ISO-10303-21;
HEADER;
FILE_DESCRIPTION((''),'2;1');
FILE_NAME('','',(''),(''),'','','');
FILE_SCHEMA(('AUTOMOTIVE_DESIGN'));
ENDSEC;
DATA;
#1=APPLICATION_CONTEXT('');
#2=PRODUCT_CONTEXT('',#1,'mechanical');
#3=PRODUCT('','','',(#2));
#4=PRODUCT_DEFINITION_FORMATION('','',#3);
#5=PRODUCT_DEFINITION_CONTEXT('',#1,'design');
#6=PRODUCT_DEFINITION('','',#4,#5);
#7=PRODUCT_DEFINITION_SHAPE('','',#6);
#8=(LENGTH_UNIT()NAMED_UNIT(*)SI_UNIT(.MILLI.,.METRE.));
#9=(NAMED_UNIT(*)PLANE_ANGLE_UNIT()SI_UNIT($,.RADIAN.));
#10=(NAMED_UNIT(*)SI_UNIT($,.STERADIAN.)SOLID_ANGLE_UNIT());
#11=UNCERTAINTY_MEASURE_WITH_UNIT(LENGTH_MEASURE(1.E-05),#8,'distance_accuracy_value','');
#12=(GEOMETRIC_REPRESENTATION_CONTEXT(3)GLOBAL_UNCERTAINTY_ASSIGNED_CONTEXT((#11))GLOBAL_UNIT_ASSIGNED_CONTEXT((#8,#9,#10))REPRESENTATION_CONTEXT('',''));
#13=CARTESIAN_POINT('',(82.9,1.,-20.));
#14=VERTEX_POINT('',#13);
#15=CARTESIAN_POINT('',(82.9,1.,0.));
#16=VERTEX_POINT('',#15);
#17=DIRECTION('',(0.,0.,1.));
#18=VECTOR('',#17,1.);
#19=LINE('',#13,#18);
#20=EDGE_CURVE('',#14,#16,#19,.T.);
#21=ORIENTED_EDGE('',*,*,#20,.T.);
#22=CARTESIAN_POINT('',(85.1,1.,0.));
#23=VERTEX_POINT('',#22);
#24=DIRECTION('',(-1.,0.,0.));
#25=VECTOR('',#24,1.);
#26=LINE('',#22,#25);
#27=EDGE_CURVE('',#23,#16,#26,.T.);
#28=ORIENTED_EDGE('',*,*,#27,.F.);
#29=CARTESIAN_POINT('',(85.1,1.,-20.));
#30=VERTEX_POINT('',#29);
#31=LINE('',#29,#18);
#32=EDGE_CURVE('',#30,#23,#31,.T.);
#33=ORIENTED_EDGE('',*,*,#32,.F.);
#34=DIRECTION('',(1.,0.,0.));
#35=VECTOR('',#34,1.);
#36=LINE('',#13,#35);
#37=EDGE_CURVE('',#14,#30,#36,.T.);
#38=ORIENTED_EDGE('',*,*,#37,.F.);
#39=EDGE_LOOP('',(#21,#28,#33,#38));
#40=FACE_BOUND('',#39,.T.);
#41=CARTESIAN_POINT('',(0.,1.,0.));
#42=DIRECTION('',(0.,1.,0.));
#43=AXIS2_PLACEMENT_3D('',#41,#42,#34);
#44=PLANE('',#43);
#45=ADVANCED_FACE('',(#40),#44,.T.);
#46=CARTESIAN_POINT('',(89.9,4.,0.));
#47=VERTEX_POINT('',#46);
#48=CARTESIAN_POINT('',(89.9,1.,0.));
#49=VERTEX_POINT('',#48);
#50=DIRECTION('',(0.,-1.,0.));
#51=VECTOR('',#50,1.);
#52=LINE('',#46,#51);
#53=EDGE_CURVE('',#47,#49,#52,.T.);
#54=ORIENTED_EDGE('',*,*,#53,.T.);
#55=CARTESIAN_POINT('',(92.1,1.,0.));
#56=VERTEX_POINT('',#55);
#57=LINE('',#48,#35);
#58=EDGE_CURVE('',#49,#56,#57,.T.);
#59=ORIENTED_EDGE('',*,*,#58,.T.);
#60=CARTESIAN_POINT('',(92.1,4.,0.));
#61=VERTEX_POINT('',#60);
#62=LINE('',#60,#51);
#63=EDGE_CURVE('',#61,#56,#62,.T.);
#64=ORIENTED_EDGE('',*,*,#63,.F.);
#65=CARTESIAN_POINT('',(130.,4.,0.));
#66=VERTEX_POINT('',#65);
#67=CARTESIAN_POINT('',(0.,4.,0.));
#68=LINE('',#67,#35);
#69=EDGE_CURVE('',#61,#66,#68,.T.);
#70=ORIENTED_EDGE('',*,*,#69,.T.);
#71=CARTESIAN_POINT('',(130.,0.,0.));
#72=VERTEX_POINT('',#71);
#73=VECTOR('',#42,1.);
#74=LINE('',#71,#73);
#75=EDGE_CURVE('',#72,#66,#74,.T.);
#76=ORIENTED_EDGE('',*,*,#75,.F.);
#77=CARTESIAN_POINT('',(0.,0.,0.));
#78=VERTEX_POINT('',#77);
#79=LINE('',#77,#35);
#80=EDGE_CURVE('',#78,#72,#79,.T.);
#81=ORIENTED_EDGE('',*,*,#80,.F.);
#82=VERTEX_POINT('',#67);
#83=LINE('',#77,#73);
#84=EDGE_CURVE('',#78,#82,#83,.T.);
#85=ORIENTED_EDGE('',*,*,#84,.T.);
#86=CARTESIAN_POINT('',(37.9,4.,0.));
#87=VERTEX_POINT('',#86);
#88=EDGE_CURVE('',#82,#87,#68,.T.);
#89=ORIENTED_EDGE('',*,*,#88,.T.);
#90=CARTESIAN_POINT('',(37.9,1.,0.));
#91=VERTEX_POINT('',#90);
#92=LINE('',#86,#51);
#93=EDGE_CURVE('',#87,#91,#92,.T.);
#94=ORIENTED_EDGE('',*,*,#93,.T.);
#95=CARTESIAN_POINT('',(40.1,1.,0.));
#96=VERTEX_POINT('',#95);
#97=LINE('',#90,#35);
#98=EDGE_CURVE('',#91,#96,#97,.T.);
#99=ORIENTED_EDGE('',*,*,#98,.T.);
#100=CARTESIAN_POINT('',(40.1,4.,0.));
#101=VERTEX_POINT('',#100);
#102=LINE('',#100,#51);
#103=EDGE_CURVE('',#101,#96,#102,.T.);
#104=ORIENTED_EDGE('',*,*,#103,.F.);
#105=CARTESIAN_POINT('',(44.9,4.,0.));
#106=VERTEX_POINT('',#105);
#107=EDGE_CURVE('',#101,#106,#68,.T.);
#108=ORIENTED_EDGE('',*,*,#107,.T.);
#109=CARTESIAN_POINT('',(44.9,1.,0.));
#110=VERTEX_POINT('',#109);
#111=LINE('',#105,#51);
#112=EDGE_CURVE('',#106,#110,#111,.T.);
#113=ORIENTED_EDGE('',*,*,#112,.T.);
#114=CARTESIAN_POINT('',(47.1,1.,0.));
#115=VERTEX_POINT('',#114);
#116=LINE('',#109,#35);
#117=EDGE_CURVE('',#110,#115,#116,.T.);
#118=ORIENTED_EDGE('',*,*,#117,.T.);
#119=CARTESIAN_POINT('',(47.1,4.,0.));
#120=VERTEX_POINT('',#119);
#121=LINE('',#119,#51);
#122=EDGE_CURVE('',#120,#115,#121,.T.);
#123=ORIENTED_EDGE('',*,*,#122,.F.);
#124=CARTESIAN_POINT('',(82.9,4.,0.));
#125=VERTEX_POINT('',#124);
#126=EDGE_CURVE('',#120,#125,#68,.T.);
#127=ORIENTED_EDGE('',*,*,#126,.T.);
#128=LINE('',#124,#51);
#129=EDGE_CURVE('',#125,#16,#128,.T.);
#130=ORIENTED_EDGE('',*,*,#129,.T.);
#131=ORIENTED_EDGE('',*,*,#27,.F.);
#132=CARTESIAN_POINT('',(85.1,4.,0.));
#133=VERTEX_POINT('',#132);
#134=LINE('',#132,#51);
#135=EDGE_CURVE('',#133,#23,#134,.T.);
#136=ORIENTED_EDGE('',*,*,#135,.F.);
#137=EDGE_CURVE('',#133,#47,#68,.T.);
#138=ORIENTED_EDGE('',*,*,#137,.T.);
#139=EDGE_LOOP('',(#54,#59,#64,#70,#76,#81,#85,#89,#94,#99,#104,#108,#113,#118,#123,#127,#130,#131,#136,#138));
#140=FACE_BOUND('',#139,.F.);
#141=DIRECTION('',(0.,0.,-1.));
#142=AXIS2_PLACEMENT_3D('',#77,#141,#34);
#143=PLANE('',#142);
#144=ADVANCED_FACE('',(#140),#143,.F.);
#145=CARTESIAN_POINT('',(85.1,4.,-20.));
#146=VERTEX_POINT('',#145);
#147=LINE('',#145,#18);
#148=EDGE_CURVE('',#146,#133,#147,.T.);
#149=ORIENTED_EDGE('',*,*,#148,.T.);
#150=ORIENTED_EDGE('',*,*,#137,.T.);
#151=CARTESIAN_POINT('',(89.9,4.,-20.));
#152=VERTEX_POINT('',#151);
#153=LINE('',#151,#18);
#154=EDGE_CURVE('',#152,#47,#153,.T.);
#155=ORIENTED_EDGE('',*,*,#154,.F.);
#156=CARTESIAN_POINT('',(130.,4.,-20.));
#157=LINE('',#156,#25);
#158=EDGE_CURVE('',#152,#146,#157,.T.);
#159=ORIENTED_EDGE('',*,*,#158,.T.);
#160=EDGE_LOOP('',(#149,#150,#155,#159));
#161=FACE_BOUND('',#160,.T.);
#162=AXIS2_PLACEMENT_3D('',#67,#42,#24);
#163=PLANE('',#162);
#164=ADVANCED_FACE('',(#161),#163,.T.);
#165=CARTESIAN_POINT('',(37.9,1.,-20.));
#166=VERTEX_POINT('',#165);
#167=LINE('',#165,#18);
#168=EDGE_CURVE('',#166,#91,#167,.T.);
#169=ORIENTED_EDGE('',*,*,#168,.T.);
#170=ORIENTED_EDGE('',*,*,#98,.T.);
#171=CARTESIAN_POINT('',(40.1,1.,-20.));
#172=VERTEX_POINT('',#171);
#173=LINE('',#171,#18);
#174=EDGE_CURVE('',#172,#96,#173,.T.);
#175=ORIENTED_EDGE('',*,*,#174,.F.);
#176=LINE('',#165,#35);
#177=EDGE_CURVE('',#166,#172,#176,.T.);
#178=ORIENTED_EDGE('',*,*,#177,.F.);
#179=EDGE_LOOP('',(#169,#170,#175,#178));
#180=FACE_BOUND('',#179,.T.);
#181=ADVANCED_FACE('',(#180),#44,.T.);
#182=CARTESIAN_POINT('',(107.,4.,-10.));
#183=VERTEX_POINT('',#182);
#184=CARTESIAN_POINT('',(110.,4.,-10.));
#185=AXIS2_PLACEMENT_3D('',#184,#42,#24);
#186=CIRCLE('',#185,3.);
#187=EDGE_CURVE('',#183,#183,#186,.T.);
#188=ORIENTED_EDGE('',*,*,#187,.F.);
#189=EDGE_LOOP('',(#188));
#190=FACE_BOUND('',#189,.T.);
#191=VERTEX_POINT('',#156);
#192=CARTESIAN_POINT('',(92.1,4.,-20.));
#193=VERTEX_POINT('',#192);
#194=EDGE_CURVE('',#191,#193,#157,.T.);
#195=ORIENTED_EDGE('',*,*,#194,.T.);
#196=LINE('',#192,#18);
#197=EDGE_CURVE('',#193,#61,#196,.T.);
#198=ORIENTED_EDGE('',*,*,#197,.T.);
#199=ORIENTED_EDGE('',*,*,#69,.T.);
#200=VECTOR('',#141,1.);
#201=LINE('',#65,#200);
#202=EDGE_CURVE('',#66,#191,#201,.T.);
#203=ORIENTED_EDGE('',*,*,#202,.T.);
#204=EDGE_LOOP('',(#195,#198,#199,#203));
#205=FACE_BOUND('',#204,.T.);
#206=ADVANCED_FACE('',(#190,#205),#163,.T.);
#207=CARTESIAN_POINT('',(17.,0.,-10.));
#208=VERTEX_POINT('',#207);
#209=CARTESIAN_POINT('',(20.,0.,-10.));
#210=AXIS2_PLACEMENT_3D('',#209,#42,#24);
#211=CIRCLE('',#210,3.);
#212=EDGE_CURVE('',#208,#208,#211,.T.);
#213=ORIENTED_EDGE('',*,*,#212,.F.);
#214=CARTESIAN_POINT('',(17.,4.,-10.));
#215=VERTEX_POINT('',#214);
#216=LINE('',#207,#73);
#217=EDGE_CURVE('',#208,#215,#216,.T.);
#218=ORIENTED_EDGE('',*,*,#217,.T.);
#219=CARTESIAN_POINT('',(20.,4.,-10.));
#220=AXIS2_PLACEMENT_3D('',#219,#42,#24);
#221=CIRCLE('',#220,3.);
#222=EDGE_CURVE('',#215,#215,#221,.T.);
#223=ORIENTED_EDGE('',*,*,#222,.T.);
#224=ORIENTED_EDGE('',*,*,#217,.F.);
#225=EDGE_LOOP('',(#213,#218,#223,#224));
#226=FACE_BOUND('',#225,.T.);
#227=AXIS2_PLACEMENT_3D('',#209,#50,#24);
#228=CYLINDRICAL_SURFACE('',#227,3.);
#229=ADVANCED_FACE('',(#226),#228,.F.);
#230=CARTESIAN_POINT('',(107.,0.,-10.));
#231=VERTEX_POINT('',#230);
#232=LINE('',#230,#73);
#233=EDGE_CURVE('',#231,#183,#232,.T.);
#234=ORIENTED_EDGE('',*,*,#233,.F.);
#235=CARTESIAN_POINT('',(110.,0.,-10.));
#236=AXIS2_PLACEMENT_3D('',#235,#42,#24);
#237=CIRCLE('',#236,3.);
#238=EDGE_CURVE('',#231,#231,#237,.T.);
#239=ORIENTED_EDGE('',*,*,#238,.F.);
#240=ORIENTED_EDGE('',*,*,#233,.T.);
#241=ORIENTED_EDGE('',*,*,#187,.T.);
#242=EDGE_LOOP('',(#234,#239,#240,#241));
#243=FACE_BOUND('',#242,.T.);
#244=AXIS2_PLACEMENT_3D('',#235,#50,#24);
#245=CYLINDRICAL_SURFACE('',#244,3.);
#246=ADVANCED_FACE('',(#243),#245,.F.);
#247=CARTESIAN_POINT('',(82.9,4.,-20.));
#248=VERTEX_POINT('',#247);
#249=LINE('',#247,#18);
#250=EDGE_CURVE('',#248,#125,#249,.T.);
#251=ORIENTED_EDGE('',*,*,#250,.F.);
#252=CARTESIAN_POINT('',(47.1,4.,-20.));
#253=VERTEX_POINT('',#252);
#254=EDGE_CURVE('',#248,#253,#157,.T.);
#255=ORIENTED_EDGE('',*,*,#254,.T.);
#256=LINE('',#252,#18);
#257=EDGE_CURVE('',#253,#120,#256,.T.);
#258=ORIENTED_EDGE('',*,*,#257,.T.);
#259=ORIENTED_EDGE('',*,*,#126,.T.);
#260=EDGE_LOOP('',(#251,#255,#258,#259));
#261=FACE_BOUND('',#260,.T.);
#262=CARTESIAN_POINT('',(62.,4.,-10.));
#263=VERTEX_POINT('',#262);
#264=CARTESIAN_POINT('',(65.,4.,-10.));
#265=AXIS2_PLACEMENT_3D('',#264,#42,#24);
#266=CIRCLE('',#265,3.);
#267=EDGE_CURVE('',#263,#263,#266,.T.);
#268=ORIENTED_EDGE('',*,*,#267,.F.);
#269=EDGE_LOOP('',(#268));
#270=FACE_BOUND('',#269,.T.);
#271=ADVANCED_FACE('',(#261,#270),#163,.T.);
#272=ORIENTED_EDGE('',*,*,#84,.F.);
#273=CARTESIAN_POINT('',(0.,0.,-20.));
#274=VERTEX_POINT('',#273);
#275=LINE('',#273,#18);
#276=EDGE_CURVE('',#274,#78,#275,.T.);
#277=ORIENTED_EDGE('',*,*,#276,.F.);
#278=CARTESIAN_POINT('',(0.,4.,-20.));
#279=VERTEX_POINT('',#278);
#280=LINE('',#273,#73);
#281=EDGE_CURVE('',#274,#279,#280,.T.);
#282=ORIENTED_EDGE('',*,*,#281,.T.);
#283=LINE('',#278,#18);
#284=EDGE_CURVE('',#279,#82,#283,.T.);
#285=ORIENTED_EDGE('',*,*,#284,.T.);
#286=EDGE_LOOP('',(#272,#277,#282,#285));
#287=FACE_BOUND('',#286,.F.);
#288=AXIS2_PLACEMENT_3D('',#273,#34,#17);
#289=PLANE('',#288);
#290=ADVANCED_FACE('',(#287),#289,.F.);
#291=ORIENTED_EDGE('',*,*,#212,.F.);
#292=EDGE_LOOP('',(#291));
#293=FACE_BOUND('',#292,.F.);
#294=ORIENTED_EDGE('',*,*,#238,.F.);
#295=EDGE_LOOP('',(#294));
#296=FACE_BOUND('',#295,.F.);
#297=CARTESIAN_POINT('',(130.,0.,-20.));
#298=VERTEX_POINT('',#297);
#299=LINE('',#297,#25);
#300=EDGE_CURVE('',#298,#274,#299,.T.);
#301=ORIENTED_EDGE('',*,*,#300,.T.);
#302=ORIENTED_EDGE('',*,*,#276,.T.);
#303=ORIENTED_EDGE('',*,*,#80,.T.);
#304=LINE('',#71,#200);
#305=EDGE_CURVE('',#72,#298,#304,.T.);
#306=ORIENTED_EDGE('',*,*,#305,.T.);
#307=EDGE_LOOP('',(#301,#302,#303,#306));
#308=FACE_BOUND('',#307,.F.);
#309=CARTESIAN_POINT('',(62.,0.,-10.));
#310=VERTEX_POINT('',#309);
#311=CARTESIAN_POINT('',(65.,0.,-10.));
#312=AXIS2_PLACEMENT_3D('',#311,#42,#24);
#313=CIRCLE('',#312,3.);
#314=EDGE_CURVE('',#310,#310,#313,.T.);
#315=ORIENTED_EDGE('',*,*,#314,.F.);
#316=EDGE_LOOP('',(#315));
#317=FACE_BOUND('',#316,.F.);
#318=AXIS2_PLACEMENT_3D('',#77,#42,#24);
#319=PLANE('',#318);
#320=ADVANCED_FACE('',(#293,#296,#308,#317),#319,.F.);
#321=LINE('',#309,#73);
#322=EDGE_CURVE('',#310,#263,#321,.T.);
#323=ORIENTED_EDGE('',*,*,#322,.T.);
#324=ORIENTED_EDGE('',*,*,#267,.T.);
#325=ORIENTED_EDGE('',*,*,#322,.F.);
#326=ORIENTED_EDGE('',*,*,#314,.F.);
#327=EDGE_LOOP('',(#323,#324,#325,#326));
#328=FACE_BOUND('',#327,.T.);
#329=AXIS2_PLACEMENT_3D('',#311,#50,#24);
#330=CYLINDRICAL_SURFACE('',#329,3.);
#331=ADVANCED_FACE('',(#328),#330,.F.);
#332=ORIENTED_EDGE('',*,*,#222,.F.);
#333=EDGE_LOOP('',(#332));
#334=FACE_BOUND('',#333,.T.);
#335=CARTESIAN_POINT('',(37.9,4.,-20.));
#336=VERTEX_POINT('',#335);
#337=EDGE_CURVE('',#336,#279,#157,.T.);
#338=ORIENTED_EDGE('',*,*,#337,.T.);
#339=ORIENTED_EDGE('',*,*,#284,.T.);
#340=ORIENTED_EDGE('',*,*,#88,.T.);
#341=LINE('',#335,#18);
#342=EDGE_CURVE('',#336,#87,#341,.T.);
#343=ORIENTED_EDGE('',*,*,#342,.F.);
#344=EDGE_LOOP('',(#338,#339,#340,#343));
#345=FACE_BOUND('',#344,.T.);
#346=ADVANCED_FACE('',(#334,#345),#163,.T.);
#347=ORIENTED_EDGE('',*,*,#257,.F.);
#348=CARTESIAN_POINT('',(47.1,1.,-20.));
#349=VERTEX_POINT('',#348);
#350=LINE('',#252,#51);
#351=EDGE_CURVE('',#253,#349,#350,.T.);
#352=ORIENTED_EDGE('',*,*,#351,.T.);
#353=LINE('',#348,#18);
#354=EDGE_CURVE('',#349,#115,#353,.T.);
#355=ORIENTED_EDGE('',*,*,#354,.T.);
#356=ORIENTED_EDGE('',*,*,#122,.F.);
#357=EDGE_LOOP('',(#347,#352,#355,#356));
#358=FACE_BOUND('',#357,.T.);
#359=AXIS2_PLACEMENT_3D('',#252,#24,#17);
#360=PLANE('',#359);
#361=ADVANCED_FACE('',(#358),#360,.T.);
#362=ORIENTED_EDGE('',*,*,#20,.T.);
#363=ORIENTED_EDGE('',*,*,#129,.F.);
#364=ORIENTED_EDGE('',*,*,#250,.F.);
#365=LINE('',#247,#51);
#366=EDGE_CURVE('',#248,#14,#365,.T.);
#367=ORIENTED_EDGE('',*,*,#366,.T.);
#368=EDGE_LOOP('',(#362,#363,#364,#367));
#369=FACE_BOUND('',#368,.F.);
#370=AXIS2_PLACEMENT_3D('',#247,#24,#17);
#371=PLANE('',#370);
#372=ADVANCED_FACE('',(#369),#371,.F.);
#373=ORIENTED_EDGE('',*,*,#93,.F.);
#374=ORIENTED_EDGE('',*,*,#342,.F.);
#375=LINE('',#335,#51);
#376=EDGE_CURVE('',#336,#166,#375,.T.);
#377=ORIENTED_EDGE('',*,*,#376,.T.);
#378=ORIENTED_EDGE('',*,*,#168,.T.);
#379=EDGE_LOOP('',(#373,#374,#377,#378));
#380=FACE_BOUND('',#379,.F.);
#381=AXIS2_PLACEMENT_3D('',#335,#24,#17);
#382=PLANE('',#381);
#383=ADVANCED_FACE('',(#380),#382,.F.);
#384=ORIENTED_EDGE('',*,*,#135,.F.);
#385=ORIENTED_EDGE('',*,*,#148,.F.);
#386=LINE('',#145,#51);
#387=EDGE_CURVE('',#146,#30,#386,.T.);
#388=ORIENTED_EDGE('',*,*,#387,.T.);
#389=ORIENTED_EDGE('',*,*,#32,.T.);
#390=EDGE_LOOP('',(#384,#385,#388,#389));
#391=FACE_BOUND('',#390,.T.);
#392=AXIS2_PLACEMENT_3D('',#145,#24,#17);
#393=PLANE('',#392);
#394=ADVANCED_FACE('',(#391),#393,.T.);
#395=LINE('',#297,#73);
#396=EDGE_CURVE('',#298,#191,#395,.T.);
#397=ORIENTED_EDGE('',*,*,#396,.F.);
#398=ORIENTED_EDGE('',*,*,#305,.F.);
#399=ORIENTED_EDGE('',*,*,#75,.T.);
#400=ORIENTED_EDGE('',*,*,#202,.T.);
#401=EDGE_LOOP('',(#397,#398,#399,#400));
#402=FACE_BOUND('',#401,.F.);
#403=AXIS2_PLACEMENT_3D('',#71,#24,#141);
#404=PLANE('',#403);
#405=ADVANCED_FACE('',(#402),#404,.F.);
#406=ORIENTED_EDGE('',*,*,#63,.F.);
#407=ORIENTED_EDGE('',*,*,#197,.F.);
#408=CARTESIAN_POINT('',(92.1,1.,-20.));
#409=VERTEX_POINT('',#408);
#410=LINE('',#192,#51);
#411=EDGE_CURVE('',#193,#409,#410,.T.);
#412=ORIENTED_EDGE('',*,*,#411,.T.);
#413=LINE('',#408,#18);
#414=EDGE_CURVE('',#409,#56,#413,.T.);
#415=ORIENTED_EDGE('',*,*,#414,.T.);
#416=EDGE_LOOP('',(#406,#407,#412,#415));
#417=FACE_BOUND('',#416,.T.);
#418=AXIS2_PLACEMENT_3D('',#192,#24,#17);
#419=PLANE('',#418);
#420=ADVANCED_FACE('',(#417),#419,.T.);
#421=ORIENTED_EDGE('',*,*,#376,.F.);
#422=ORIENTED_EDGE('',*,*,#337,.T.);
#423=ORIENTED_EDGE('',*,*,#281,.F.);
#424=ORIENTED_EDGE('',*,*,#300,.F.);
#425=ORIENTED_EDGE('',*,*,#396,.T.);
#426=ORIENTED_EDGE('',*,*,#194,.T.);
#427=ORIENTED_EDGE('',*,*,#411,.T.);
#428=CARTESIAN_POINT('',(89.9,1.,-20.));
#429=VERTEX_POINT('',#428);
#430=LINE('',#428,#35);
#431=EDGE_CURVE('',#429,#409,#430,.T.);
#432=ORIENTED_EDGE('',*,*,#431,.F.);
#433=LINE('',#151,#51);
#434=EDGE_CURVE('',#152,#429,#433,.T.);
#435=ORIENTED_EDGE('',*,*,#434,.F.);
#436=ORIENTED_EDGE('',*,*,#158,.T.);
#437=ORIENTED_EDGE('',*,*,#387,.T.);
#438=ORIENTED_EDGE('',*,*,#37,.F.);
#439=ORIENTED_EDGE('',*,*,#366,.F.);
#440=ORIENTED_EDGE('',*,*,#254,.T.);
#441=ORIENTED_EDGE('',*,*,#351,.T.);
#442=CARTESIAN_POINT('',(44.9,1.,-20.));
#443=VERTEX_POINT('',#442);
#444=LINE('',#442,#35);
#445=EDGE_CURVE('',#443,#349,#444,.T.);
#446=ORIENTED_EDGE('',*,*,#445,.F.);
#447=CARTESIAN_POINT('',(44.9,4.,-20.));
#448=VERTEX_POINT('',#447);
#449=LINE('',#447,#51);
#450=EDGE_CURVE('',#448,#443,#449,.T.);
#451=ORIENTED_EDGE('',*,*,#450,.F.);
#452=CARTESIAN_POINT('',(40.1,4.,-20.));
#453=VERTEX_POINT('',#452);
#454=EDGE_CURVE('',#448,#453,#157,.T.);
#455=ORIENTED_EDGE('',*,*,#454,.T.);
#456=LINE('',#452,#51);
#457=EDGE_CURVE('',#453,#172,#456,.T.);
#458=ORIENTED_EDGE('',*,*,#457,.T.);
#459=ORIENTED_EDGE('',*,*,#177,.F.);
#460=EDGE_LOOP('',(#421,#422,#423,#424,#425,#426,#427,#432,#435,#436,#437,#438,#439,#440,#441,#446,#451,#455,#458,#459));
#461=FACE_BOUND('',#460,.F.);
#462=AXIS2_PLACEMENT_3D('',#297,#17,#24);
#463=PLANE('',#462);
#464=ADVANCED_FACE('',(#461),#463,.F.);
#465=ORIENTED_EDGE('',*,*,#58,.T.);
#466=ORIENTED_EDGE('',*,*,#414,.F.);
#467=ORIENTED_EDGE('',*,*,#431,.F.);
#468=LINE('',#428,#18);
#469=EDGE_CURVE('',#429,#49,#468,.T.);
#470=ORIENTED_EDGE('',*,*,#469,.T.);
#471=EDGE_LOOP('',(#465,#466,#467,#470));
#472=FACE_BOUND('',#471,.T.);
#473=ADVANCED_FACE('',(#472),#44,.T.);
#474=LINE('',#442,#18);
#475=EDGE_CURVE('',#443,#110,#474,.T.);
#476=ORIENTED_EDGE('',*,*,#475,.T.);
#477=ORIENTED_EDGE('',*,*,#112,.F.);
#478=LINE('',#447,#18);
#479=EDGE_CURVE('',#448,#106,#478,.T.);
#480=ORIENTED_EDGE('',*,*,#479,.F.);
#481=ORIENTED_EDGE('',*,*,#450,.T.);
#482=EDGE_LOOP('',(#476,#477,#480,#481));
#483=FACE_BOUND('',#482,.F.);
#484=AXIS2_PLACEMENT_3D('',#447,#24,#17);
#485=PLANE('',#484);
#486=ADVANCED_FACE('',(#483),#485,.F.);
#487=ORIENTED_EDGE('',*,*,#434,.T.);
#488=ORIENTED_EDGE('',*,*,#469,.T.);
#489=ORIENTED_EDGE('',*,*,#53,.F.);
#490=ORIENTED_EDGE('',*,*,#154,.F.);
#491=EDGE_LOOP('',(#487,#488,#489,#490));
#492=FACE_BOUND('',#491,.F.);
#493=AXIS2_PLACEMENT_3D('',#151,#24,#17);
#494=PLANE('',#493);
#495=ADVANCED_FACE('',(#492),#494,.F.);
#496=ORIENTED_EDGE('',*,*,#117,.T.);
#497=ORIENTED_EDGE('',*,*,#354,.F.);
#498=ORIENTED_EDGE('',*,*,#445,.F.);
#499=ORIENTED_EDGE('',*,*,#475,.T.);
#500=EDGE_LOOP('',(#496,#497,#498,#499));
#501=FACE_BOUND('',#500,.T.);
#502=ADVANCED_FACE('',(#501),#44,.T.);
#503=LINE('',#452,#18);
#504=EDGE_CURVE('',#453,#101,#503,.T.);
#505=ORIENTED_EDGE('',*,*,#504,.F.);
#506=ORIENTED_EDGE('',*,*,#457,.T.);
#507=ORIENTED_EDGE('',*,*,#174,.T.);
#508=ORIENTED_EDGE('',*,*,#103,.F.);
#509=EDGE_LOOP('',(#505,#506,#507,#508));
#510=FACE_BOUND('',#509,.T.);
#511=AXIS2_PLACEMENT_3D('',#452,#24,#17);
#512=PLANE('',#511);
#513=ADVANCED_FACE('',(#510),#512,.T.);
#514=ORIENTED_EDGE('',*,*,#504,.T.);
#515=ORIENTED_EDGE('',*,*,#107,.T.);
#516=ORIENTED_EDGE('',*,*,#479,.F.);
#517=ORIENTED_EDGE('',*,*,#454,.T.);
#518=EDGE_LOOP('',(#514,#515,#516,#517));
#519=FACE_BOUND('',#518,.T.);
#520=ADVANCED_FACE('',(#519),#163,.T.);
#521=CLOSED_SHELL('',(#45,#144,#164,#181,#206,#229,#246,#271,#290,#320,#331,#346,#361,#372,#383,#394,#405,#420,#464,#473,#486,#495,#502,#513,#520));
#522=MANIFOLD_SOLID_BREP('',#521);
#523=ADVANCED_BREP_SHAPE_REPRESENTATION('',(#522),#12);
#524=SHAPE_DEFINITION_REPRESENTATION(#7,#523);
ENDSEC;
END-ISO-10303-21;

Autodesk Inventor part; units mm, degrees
ref_plane "YZ Plane" through (0, 0, 0) normal (1, 0, 0) x (0, 1, 0)
ref_plane "XZ Plane" through (0, 0, 0) normal (0, 1, 0) x (-1, 0, 0)
ref_plane "XY Plane" through (0, 0, 0) normal (0, 0, 1) x (1, 0, 0)
sketch "Sketch1" plane through (0, 0, 0) normal (0, 1, 0) x (-1, 0, 0)
  line L0 (0, 0) -> (-130, 0)
  line L1 (-130, 0) -> (-130, -20)
  line L2 (-130, -20) -> (0, -20)
  line L3 (0, -20) -> (0, 0)
  line L4 (0, -10) -> (-130, -10) construction
  line L5 (-46, 0) -> (-46, -20) construction
  line L6 (-84, 0) -> (-84, -20) construction
  line L7 (-65, 0) -> (-65, -20) construction
  line L8 (-39, 0) -> (-39, -20) construction
  line L9 (-91, 0) -> (-91, -20) construction
  circle A0 centre (-65, -10) radius 3
  line L10 (-20, 0) -> (-20, -20) construction
  line L11 (-110, 0) -> (-110, -20) construction
  circle A1 centre (-110, -10) radius 3
  circle A2 centre (-20, -10) radius 3
  dimension "d1" = 20
  dimension "d0" = 130
  dimension "d2" = 65
  dimension "d3" = 26
  dimension "d4" = 26
  dimension "d5" = 19
  dimension "d6" = 19
  dimension "d17" = 6
  dimension "d18" = 20
  dimension "d19" = 20
  dimension "d20" = 6
  dimension "d21" = 6
extrude "Extrusion1" add sketch "Sketch1" along normal blind 4
sketch "Sketch2" plane through (0, 4, 0) normal (0, 1, 0) x (1, 0, 0)
  line L0 (130, 20) -> (0, 20) construction
  line L1 (65, 20) -> (65, 0) construction
  line L2 (0, 0) -> (130, 0) construction
  line L3 (0, 20) -> (0, 0) construction
  line L4 (39, 20) -> (39, 0) construction
  line L5 (46, 20) -> (46, 0) construction
  line L6 (84, 20) -> (84, 0) construction
  line L7 (91, 20) -> (91, 0) construction
  line L8 (40.1, 20) -> (40.1, 0)
  line L9 (37.9, 20) -> (37.9, 0)
  line L10 (44.9, 20) -> (44.9, 0)
  line L11 (47.1, 20) -> (47.1, 0)
  line L12 (82.9, 20) -> (82.9, 0)
  line L13 (85.1, 20) -> (85.1, 0)
  line L14 (89.9, 20) -> (89.9, 0)
  line L15 (92.1, 20) -> (92.1, 0)
  line L16 (37.9, 20) -> (40.1, 20)
  line L17 (37.9, 0) -> (40.1, 0)
  line L18 (44.9, 0) -> (47.1, 0)
  line L19 (44.9, 20) -> (47.1, 20)
  line L20 (82.9, 20) -> (85.1, 20)
  line L21 (89.9, 20) -> (92.1, 20)
  line L22 (85.1, 0) -> (82.9, 0)
  line L23 (89.9, 0) -> (92.1, 0)
  dimension "d24" = 65
  dimension "d25" = 19
  dimension "d26" = 26
  dimension "d27" = 19
  dimension "d28" = 26
  dimension "d29" = 1.1
  dimension "d30" = 1.1
  dimension "d31" = 1.1
  dimension "d32" = 1.1
  dimension "d33" = 1.1
  dimension "d34" = 1.1
  dimension "d35" = 1.1
  dimension "d36" = 1.1
extrude "Extrusion2" cut sketch "Sketch2" against normal blind 3
properties part number "clamp"
